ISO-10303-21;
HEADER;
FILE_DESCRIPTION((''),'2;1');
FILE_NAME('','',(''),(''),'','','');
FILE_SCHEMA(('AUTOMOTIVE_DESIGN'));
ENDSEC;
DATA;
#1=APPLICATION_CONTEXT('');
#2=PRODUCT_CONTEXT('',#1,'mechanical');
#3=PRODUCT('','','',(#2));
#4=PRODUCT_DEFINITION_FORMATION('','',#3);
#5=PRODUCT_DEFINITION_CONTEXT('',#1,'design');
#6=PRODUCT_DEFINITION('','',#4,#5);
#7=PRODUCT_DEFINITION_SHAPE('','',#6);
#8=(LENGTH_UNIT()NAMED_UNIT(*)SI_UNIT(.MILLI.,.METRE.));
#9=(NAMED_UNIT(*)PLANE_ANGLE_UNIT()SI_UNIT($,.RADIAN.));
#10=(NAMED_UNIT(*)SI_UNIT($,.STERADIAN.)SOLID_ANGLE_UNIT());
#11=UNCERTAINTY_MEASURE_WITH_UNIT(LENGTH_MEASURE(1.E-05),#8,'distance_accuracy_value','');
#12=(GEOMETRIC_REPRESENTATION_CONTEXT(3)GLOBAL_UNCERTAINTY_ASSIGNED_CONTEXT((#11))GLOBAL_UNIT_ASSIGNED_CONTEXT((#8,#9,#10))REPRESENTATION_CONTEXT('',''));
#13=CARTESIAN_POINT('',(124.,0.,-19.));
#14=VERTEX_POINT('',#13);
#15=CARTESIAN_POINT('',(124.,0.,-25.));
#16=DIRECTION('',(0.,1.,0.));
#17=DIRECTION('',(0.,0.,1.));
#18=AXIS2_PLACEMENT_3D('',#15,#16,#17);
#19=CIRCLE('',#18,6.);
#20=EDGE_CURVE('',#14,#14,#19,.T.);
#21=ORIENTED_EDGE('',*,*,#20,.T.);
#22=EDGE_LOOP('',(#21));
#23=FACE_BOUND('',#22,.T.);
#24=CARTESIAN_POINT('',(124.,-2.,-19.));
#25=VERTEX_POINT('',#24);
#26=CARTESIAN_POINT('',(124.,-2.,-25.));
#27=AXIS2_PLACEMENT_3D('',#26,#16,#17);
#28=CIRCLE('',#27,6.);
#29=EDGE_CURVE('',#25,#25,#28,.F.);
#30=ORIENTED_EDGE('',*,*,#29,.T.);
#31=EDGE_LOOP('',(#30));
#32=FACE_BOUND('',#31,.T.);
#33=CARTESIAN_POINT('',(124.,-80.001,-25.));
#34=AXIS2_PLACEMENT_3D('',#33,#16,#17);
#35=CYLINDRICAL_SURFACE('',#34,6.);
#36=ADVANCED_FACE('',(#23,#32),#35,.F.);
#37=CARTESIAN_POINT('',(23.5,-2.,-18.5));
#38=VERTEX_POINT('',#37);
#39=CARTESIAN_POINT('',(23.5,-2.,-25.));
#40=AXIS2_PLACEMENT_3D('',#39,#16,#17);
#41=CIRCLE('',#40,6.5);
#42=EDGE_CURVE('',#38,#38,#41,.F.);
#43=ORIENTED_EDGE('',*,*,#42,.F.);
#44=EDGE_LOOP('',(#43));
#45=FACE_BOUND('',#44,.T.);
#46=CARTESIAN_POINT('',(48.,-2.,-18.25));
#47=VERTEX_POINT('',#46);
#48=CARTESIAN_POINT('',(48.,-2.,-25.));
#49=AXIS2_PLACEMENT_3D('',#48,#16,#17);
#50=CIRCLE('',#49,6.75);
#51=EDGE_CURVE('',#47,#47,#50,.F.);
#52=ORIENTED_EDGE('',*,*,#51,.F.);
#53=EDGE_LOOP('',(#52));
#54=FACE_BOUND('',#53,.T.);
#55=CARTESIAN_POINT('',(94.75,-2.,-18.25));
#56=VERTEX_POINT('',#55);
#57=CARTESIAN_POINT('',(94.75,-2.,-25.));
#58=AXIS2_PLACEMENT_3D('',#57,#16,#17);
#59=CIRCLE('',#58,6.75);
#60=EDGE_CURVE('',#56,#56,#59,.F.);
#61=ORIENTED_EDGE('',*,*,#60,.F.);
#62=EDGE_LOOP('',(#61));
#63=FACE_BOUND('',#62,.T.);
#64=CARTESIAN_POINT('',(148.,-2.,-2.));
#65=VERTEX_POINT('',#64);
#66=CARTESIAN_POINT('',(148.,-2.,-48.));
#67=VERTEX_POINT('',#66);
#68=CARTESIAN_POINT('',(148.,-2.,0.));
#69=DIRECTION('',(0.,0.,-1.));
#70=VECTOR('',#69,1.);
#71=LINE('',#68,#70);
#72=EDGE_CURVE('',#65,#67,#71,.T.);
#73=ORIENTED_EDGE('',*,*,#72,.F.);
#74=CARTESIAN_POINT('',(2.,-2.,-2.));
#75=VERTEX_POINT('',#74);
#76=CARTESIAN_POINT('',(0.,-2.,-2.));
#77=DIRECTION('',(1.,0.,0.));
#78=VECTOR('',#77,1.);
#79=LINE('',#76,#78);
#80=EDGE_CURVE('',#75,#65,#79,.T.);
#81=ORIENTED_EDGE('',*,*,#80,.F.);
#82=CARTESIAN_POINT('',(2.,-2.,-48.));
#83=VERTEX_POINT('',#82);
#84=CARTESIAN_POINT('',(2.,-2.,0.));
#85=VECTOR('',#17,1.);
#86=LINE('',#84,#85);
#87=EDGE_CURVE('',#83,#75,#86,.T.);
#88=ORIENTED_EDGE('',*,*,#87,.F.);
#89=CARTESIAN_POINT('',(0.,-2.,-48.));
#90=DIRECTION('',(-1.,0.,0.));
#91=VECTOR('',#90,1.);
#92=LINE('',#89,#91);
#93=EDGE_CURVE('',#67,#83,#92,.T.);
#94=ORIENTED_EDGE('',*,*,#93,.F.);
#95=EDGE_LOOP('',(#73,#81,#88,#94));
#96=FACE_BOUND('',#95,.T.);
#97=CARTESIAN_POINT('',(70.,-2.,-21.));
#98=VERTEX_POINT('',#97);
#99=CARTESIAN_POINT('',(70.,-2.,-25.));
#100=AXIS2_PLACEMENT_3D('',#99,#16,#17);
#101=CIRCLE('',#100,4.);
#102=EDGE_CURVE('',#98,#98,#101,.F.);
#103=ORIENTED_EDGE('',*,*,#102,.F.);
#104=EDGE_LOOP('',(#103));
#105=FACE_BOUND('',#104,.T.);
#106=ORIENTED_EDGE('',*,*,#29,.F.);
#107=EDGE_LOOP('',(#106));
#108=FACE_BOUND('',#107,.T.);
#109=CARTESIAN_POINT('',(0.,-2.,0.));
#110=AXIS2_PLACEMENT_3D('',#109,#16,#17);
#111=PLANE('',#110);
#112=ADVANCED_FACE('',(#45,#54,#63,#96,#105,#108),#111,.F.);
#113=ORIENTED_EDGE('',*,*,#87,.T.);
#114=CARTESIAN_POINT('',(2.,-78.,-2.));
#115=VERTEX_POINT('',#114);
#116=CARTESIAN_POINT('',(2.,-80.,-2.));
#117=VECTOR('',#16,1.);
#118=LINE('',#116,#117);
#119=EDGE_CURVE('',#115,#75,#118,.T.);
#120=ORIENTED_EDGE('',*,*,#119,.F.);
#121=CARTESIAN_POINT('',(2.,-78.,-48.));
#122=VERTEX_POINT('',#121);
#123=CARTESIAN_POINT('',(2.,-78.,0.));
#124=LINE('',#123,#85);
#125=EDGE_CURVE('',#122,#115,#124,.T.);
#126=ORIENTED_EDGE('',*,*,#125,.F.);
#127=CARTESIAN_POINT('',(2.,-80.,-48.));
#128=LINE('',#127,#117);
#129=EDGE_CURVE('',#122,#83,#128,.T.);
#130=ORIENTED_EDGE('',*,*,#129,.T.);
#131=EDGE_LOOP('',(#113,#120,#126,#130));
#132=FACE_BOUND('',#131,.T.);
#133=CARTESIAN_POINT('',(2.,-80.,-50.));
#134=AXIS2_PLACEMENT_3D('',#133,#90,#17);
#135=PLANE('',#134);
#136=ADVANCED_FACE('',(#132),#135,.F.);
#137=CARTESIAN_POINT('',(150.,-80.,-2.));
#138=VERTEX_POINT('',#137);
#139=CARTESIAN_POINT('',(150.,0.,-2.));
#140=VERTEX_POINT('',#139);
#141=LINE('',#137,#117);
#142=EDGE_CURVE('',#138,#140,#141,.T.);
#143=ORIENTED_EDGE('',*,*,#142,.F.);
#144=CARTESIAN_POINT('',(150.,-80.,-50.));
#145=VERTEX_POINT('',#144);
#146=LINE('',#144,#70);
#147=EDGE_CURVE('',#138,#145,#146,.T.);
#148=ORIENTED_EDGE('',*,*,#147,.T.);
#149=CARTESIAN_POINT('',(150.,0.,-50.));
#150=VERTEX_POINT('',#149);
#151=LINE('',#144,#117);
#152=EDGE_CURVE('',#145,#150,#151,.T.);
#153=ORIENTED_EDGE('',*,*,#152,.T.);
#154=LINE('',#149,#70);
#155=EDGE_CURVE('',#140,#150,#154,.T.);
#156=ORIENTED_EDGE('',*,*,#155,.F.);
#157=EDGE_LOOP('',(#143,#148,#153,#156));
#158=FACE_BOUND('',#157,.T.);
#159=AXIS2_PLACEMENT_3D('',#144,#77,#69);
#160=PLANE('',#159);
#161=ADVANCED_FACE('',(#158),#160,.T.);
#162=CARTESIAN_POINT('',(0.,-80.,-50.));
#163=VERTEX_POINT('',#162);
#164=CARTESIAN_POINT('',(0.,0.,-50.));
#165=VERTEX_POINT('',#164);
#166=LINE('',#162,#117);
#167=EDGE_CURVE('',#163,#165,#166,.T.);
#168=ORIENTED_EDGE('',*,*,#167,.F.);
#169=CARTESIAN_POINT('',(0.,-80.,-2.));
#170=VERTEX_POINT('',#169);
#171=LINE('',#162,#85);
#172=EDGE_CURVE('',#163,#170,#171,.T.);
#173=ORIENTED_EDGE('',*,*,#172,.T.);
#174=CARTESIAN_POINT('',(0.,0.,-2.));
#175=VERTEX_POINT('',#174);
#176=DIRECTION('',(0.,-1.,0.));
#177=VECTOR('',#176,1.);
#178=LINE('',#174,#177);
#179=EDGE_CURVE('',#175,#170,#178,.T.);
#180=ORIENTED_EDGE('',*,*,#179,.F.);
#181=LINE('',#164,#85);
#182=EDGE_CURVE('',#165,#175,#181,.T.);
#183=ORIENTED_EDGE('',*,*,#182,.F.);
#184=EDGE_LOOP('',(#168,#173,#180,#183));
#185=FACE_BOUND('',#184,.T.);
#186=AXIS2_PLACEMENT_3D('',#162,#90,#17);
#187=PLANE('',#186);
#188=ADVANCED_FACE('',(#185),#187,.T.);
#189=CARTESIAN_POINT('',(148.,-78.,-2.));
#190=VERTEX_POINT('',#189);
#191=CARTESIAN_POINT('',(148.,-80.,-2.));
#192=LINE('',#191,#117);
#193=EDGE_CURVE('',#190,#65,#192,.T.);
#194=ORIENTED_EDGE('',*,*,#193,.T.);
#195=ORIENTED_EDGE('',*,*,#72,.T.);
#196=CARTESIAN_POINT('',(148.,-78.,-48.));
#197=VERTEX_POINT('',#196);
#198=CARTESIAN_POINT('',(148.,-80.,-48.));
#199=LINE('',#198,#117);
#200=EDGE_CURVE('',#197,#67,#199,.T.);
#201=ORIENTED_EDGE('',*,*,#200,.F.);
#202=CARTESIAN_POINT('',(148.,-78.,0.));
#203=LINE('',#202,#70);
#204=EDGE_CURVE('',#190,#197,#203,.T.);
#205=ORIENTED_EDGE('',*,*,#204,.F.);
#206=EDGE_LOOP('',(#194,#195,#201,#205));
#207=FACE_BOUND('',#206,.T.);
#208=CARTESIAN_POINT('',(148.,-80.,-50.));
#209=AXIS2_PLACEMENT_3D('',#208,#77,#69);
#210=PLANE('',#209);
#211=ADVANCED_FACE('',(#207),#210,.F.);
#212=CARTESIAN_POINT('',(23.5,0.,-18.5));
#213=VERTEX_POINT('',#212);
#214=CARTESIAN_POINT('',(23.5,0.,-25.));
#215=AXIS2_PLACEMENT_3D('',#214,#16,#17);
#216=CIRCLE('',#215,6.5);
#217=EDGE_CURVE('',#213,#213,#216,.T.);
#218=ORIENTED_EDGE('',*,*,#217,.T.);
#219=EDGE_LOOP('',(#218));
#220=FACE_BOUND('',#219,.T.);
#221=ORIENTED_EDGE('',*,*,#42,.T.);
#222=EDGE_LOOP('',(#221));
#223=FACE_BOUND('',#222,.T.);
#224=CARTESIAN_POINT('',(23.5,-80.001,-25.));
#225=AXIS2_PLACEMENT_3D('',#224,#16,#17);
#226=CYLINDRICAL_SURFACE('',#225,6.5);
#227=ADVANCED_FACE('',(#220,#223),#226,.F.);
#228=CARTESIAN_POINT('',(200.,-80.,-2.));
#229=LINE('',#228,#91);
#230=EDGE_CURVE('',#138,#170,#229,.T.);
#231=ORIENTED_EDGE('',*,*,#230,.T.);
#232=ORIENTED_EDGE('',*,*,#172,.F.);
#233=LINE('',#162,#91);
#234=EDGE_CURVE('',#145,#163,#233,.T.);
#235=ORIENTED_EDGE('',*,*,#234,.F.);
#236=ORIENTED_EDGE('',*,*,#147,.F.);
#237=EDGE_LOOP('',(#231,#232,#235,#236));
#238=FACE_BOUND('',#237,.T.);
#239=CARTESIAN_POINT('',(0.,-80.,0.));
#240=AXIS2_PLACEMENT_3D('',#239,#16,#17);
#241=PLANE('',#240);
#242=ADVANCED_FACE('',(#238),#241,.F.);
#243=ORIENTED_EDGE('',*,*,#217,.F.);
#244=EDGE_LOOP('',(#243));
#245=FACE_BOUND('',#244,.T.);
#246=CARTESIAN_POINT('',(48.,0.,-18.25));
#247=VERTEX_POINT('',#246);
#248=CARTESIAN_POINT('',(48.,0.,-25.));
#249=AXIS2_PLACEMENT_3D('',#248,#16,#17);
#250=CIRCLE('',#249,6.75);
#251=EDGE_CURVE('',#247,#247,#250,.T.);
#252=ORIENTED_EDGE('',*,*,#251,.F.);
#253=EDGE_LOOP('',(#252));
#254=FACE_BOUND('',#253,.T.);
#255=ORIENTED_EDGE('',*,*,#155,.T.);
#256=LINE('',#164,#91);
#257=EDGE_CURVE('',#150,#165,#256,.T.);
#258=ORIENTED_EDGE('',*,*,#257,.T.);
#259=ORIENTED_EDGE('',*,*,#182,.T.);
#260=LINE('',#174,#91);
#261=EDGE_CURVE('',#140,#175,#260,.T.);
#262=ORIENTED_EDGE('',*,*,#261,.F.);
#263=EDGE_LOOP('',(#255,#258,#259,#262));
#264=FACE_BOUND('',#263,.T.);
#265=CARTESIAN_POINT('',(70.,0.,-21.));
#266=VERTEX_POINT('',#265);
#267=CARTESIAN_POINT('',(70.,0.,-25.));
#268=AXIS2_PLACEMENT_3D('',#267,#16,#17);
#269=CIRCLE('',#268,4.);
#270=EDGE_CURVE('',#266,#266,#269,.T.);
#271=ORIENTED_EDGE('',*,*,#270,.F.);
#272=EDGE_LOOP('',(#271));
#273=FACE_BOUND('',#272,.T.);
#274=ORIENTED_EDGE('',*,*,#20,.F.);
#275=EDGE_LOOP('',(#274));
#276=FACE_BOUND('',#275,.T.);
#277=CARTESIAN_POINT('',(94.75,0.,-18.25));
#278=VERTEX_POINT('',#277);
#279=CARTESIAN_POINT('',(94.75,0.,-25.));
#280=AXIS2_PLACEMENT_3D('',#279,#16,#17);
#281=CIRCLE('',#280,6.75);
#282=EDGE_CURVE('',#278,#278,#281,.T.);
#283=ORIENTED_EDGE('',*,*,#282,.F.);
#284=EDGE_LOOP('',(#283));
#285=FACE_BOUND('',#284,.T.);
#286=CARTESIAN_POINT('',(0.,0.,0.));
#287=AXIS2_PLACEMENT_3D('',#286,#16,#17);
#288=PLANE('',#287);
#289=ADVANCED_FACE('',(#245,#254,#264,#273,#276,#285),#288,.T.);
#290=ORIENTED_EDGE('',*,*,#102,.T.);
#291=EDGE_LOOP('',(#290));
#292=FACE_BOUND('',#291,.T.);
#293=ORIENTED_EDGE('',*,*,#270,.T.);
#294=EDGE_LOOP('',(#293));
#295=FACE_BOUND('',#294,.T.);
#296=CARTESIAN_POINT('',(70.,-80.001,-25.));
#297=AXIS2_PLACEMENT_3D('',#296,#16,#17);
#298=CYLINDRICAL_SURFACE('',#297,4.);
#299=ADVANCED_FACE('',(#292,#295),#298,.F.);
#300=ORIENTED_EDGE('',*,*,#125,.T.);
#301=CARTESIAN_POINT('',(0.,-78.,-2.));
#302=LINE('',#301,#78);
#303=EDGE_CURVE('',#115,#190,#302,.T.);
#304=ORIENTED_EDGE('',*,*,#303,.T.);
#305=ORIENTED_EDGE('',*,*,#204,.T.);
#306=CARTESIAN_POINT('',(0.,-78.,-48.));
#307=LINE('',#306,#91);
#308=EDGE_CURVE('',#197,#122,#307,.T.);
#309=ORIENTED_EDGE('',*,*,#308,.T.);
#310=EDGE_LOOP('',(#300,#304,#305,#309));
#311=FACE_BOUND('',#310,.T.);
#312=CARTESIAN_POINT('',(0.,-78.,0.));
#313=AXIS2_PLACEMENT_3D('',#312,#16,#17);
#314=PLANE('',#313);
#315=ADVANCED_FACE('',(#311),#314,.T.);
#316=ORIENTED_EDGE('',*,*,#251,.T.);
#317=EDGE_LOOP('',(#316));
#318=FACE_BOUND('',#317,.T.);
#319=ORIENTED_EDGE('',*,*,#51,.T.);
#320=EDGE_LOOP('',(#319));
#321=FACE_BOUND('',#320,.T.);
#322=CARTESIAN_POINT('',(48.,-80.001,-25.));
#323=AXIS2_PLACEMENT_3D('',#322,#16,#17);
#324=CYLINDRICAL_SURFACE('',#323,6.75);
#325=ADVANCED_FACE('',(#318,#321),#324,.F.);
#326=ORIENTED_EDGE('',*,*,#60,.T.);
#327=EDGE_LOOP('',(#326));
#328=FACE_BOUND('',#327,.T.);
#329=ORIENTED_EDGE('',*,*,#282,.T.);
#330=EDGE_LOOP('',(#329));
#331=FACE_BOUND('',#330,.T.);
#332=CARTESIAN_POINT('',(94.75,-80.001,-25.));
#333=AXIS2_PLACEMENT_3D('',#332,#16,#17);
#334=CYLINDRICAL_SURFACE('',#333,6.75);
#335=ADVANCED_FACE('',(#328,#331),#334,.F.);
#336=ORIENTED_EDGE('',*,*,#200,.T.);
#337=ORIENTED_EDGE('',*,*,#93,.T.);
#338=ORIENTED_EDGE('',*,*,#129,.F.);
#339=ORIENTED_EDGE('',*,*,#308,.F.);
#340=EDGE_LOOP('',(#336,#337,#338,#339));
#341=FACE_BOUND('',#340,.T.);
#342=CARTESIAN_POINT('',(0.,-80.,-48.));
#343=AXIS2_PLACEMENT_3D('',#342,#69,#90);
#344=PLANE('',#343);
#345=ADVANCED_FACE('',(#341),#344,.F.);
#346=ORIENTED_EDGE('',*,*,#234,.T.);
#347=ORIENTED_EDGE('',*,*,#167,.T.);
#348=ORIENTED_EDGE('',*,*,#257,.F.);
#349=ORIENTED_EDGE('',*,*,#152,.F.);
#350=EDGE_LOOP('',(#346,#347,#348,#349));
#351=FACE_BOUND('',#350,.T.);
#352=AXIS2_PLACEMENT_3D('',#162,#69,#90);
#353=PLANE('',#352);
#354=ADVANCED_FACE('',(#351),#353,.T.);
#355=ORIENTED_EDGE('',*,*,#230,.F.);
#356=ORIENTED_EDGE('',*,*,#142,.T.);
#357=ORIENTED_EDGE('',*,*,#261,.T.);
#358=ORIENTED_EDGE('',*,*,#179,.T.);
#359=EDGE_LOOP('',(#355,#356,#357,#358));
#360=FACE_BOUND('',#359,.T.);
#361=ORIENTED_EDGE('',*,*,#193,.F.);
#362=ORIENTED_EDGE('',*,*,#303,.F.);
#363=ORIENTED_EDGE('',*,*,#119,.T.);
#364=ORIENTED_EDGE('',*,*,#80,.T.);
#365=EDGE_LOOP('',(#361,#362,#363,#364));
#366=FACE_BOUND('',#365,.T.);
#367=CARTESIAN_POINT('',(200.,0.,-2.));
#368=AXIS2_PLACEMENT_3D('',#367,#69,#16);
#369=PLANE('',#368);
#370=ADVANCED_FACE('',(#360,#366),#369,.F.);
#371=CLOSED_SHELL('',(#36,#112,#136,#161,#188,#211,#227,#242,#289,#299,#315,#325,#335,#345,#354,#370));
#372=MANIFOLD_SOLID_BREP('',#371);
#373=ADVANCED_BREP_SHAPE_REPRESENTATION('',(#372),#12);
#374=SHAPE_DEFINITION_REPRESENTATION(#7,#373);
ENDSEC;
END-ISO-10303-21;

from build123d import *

# Parameters (mm, degrees)
SKETCH1_W          = 150
SKETCH1_H          = 50
EXTRUDE5_DEPTH     = 80
SHELL1_T           = 2
EXTRUDE6_REACH     = 82
SKETCH8_R          = 6.5
SKETCH8_R_2        = 6.75
SKETCH8_R_3        = 4
SKETCH8_R_4        = 6
SKETCH12_W         = 2
SKETCH12_H         = 80
CUT_EXTRUDE1_DEPTH = 200


with BuildPart() as part:
    # Sketch1 → Extrude5 (new body)
    with BuildSketch(Plane(origin=(0, 0, 0), x_dir=(1, 0, 0), z_dir=(0, 1, 0))):
        with Locations((75, 25)):
            Rectangle(SKETCH1_W, SKETCH1_H)
    extrude(amount=-EXTRUDE5_DEPTH)

    # Shell1 (no face opened: a closed hollow body)
    add(offset(amount=-SHELL1_T, mode=Mode.PRIVATE), mode=Mode.SUBTRACT)

    # Sketch8 → Extrude6 (cut, up to next)
    with BuildSketch(Plane(origin=(0, 0, 0), x_dir=(1, 0, 0), z_dir=(0, 1, 0)), mode=Mode.PRIVATE) as extrude6_sk1:
        with Locations(Location((23.5, 25, 0), (0, 0, 270))):  # turned: the seam where the file's is
            Circle(SKETCH8_R)
    extrude6_tool1 = extrude(extrude6_sk1.sketch, amount=-EXTRUDE6_REACH, mode=Mode.PRIVATE) & part.part
    add(extrude6_tool1.solids().sort_by_distance((23.5, 0, -25))[0], mode=Mode.SUBTRACT)
    # Sketch8 → Extrude6 (cut, up to next)
    with BuildSketch(Plane(origin=(0, 0, 0), x_dir=(1, 0, 0), z_dir=(0, 1, 0)), mode=Mode.PRIVATE) as extrude6_sk2:
        with Locations(Location((48, 25, 0), (0, 0, 270))):  # turned: the seam where the file's is
            Circle(SKETCH8_R_2)
    extrude6_tool2 = extrude(extrude6_sk2.sketch, amount=-EXTRUDE6_REACH, mode=Mode.PRIVATE) & part.part
    add(extrude6_tool2.solids().sort_by_distance((48, 0, -25))[0], mode=Mode.SUBTRACT)
    # Sketch8 → Extrude6 (cut, up to next)
    with BuildSketch(Plane(origin=(0, 0, 0), x_dir=(1, 0, 0), z_dir=(0, 1, 0)), mode=Mode.PRIVATE) as extrude6_sk3:
        with Locations(Location((70, 25, 0), (0, 0, 270))):  # turned: the seam where the file's is
            Circle(SKETCH8_R_3)
    extrude6_tool3 = extrude(extrude6_sk3.sketch, amount=-EXTRUDE6_REACH, mode=Mode.PRIVATE) & part.part
    add(extrude6_tool3.solids().sort_by_distance((70, 0, -25))[0], mode=Mode.SUBTRACT)
    # Sketch8 → Extrude6 (cut, up to next)
    with BuildSketch(Plane(origin=(0, 0, 0), x_dir=(1, 0, 0), z_dir=(0, 1, 0)), mode=Mode.PRIVATE) as extrude6_sk4:
        with Locations(Location((94.75, 25, 0), (0, 0, 270))):  # turned: the seam where the file's is
            Circle(SKETCH8_R_2)
    extrude6_tool4 = extrude(extrude6_sk4.sketch, amount=-EXTRUDE6_REACH, mode=Mode.PRIVATE) & part.part
    add(extrude6_tool4.solids().sort_by_distance((94.75, 0, -25))[0], mode=Mode.SUBTRACT)
    # Sketch8 → Extrude6 (cut, up to next)
    with BuildSketch(Plane(origin=(0, 0, 0), x_dir=(1, 0, 0), z_dir=(0, 1, 0)), mode=Mode.PRIVATE) as extrude6_sk5:
        with Locations(Location((124, 25, 0), (0, 0, 270))):  # turned: the seam where the file's is
            Circle(SKETCH8_R_4)
    extrude6_tool5 = extrude(extrude6_sk5.sketch, amount=-EXTRUDE6_REACH, mode=Mode.PRIVATE) & part.part
    add(extrude6_tool5.solids().sort_by_distance((124, 0, -25))[0], mode=Mode.SUBTRACT)

    # Sketch12 → Cut-Extrude1 (cut)
    with BuildSketch(Plane.ZY):
        with Locations((-1, -40)):
            Rectangle(SKETCH12_W, SKETCH12_H)
    extrude(amount=-CUT_EXTRUDE1_DEPTH, mode=Mode.SUBTRACT)


solid = part.part
